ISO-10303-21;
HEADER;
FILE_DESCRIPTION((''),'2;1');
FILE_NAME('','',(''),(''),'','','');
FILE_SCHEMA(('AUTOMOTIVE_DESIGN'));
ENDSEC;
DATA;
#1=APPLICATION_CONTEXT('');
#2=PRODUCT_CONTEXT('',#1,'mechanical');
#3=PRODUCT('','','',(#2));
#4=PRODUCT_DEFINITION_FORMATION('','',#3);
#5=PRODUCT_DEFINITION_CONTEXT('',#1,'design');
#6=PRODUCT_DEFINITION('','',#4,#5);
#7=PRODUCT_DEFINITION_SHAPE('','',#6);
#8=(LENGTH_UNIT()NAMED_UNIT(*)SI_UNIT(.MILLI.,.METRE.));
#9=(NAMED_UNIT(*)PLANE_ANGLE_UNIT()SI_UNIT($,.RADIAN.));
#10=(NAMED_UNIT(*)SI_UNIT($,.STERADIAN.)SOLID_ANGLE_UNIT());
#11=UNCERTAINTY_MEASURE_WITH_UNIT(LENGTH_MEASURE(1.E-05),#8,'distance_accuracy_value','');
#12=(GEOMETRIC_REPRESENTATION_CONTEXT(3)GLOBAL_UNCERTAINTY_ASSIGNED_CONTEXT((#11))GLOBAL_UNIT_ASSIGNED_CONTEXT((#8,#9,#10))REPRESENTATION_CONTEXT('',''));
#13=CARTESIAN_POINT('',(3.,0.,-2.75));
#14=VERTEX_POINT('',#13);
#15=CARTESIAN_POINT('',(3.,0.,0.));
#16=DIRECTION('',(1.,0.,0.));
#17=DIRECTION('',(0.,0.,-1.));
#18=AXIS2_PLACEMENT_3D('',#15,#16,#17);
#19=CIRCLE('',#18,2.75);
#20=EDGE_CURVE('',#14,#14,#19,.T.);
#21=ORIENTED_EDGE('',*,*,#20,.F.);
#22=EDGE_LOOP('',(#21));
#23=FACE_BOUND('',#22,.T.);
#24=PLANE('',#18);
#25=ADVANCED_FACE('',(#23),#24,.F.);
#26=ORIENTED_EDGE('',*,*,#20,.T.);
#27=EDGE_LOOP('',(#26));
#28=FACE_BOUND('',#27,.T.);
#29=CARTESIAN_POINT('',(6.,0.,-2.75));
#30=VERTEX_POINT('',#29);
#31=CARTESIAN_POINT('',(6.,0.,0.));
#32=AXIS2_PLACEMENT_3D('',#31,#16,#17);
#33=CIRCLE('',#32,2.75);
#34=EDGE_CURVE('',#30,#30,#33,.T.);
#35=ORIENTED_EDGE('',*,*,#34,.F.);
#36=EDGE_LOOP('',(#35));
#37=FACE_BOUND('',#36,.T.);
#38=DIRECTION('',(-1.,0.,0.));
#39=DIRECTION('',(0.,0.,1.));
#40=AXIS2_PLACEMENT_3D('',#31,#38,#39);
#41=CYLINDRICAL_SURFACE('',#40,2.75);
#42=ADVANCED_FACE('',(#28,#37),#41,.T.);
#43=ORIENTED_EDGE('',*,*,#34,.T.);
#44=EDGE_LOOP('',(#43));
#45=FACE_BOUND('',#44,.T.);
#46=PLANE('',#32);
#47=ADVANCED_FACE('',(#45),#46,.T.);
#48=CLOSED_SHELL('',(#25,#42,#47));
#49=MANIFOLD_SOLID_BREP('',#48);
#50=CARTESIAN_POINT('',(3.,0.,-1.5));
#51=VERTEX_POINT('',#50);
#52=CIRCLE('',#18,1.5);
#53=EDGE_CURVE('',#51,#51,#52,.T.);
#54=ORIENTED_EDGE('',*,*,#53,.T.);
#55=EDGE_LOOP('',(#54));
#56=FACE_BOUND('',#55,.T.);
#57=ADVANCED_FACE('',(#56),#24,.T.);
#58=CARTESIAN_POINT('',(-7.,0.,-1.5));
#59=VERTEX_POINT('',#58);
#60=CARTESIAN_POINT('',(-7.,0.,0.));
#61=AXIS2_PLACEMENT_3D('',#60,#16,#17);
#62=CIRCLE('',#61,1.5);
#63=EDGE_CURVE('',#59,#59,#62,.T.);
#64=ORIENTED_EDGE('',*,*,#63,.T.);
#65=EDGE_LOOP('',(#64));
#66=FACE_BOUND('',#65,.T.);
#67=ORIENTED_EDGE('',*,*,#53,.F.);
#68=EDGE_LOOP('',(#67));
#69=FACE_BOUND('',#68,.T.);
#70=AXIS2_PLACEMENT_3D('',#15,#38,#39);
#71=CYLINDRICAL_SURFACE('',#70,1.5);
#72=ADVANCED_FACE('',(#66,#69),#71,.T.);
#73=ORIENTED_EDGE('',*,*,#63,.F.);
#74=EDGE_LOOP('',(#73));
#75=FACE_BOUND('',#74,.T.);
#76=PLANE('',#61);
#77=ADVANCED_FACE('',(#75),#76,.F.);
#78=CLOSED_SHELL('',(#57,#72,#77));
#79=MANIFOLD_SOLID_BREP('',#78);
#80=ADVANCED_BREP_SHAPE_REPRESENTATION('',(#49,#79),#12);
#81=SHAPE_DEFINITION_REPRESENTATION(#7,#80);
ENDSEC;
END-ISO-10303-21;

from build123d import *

# Parameters (mm, degrees)
HEAD_START  = 3
SKETCH1_R   = 2.75
HEAD_DEPTH  = 3
SHANK_START = -7
SKETCH2_R   = 1.5
SHANK_DEPTH = 10


with BuildPart() as part:
    # Sketch1 → head (new body)
    with BuildSketch(Plane(origin=(0, 0, 0), x_dir=(0, 0, -1), z_dir=(1, 0, 0)).offset(HEAD_START)):
        Circle(SKETCH1_R)
    extrude(amount=HEAD_DEPTH)


with BuildPart() as body_2:
    # Sketch2 → shank (new body)
    with BuildSketch(Plane(origin=(0, 0, 0), x_dir=(0, 0, -1), z_dir=(1, 0, 0)).offset(SHANK_START)):
        Circle(SKETCH2_R)
    extrude(amount=SHANK_DEPTH)


solid = Compound([part.part, body_2.part])
